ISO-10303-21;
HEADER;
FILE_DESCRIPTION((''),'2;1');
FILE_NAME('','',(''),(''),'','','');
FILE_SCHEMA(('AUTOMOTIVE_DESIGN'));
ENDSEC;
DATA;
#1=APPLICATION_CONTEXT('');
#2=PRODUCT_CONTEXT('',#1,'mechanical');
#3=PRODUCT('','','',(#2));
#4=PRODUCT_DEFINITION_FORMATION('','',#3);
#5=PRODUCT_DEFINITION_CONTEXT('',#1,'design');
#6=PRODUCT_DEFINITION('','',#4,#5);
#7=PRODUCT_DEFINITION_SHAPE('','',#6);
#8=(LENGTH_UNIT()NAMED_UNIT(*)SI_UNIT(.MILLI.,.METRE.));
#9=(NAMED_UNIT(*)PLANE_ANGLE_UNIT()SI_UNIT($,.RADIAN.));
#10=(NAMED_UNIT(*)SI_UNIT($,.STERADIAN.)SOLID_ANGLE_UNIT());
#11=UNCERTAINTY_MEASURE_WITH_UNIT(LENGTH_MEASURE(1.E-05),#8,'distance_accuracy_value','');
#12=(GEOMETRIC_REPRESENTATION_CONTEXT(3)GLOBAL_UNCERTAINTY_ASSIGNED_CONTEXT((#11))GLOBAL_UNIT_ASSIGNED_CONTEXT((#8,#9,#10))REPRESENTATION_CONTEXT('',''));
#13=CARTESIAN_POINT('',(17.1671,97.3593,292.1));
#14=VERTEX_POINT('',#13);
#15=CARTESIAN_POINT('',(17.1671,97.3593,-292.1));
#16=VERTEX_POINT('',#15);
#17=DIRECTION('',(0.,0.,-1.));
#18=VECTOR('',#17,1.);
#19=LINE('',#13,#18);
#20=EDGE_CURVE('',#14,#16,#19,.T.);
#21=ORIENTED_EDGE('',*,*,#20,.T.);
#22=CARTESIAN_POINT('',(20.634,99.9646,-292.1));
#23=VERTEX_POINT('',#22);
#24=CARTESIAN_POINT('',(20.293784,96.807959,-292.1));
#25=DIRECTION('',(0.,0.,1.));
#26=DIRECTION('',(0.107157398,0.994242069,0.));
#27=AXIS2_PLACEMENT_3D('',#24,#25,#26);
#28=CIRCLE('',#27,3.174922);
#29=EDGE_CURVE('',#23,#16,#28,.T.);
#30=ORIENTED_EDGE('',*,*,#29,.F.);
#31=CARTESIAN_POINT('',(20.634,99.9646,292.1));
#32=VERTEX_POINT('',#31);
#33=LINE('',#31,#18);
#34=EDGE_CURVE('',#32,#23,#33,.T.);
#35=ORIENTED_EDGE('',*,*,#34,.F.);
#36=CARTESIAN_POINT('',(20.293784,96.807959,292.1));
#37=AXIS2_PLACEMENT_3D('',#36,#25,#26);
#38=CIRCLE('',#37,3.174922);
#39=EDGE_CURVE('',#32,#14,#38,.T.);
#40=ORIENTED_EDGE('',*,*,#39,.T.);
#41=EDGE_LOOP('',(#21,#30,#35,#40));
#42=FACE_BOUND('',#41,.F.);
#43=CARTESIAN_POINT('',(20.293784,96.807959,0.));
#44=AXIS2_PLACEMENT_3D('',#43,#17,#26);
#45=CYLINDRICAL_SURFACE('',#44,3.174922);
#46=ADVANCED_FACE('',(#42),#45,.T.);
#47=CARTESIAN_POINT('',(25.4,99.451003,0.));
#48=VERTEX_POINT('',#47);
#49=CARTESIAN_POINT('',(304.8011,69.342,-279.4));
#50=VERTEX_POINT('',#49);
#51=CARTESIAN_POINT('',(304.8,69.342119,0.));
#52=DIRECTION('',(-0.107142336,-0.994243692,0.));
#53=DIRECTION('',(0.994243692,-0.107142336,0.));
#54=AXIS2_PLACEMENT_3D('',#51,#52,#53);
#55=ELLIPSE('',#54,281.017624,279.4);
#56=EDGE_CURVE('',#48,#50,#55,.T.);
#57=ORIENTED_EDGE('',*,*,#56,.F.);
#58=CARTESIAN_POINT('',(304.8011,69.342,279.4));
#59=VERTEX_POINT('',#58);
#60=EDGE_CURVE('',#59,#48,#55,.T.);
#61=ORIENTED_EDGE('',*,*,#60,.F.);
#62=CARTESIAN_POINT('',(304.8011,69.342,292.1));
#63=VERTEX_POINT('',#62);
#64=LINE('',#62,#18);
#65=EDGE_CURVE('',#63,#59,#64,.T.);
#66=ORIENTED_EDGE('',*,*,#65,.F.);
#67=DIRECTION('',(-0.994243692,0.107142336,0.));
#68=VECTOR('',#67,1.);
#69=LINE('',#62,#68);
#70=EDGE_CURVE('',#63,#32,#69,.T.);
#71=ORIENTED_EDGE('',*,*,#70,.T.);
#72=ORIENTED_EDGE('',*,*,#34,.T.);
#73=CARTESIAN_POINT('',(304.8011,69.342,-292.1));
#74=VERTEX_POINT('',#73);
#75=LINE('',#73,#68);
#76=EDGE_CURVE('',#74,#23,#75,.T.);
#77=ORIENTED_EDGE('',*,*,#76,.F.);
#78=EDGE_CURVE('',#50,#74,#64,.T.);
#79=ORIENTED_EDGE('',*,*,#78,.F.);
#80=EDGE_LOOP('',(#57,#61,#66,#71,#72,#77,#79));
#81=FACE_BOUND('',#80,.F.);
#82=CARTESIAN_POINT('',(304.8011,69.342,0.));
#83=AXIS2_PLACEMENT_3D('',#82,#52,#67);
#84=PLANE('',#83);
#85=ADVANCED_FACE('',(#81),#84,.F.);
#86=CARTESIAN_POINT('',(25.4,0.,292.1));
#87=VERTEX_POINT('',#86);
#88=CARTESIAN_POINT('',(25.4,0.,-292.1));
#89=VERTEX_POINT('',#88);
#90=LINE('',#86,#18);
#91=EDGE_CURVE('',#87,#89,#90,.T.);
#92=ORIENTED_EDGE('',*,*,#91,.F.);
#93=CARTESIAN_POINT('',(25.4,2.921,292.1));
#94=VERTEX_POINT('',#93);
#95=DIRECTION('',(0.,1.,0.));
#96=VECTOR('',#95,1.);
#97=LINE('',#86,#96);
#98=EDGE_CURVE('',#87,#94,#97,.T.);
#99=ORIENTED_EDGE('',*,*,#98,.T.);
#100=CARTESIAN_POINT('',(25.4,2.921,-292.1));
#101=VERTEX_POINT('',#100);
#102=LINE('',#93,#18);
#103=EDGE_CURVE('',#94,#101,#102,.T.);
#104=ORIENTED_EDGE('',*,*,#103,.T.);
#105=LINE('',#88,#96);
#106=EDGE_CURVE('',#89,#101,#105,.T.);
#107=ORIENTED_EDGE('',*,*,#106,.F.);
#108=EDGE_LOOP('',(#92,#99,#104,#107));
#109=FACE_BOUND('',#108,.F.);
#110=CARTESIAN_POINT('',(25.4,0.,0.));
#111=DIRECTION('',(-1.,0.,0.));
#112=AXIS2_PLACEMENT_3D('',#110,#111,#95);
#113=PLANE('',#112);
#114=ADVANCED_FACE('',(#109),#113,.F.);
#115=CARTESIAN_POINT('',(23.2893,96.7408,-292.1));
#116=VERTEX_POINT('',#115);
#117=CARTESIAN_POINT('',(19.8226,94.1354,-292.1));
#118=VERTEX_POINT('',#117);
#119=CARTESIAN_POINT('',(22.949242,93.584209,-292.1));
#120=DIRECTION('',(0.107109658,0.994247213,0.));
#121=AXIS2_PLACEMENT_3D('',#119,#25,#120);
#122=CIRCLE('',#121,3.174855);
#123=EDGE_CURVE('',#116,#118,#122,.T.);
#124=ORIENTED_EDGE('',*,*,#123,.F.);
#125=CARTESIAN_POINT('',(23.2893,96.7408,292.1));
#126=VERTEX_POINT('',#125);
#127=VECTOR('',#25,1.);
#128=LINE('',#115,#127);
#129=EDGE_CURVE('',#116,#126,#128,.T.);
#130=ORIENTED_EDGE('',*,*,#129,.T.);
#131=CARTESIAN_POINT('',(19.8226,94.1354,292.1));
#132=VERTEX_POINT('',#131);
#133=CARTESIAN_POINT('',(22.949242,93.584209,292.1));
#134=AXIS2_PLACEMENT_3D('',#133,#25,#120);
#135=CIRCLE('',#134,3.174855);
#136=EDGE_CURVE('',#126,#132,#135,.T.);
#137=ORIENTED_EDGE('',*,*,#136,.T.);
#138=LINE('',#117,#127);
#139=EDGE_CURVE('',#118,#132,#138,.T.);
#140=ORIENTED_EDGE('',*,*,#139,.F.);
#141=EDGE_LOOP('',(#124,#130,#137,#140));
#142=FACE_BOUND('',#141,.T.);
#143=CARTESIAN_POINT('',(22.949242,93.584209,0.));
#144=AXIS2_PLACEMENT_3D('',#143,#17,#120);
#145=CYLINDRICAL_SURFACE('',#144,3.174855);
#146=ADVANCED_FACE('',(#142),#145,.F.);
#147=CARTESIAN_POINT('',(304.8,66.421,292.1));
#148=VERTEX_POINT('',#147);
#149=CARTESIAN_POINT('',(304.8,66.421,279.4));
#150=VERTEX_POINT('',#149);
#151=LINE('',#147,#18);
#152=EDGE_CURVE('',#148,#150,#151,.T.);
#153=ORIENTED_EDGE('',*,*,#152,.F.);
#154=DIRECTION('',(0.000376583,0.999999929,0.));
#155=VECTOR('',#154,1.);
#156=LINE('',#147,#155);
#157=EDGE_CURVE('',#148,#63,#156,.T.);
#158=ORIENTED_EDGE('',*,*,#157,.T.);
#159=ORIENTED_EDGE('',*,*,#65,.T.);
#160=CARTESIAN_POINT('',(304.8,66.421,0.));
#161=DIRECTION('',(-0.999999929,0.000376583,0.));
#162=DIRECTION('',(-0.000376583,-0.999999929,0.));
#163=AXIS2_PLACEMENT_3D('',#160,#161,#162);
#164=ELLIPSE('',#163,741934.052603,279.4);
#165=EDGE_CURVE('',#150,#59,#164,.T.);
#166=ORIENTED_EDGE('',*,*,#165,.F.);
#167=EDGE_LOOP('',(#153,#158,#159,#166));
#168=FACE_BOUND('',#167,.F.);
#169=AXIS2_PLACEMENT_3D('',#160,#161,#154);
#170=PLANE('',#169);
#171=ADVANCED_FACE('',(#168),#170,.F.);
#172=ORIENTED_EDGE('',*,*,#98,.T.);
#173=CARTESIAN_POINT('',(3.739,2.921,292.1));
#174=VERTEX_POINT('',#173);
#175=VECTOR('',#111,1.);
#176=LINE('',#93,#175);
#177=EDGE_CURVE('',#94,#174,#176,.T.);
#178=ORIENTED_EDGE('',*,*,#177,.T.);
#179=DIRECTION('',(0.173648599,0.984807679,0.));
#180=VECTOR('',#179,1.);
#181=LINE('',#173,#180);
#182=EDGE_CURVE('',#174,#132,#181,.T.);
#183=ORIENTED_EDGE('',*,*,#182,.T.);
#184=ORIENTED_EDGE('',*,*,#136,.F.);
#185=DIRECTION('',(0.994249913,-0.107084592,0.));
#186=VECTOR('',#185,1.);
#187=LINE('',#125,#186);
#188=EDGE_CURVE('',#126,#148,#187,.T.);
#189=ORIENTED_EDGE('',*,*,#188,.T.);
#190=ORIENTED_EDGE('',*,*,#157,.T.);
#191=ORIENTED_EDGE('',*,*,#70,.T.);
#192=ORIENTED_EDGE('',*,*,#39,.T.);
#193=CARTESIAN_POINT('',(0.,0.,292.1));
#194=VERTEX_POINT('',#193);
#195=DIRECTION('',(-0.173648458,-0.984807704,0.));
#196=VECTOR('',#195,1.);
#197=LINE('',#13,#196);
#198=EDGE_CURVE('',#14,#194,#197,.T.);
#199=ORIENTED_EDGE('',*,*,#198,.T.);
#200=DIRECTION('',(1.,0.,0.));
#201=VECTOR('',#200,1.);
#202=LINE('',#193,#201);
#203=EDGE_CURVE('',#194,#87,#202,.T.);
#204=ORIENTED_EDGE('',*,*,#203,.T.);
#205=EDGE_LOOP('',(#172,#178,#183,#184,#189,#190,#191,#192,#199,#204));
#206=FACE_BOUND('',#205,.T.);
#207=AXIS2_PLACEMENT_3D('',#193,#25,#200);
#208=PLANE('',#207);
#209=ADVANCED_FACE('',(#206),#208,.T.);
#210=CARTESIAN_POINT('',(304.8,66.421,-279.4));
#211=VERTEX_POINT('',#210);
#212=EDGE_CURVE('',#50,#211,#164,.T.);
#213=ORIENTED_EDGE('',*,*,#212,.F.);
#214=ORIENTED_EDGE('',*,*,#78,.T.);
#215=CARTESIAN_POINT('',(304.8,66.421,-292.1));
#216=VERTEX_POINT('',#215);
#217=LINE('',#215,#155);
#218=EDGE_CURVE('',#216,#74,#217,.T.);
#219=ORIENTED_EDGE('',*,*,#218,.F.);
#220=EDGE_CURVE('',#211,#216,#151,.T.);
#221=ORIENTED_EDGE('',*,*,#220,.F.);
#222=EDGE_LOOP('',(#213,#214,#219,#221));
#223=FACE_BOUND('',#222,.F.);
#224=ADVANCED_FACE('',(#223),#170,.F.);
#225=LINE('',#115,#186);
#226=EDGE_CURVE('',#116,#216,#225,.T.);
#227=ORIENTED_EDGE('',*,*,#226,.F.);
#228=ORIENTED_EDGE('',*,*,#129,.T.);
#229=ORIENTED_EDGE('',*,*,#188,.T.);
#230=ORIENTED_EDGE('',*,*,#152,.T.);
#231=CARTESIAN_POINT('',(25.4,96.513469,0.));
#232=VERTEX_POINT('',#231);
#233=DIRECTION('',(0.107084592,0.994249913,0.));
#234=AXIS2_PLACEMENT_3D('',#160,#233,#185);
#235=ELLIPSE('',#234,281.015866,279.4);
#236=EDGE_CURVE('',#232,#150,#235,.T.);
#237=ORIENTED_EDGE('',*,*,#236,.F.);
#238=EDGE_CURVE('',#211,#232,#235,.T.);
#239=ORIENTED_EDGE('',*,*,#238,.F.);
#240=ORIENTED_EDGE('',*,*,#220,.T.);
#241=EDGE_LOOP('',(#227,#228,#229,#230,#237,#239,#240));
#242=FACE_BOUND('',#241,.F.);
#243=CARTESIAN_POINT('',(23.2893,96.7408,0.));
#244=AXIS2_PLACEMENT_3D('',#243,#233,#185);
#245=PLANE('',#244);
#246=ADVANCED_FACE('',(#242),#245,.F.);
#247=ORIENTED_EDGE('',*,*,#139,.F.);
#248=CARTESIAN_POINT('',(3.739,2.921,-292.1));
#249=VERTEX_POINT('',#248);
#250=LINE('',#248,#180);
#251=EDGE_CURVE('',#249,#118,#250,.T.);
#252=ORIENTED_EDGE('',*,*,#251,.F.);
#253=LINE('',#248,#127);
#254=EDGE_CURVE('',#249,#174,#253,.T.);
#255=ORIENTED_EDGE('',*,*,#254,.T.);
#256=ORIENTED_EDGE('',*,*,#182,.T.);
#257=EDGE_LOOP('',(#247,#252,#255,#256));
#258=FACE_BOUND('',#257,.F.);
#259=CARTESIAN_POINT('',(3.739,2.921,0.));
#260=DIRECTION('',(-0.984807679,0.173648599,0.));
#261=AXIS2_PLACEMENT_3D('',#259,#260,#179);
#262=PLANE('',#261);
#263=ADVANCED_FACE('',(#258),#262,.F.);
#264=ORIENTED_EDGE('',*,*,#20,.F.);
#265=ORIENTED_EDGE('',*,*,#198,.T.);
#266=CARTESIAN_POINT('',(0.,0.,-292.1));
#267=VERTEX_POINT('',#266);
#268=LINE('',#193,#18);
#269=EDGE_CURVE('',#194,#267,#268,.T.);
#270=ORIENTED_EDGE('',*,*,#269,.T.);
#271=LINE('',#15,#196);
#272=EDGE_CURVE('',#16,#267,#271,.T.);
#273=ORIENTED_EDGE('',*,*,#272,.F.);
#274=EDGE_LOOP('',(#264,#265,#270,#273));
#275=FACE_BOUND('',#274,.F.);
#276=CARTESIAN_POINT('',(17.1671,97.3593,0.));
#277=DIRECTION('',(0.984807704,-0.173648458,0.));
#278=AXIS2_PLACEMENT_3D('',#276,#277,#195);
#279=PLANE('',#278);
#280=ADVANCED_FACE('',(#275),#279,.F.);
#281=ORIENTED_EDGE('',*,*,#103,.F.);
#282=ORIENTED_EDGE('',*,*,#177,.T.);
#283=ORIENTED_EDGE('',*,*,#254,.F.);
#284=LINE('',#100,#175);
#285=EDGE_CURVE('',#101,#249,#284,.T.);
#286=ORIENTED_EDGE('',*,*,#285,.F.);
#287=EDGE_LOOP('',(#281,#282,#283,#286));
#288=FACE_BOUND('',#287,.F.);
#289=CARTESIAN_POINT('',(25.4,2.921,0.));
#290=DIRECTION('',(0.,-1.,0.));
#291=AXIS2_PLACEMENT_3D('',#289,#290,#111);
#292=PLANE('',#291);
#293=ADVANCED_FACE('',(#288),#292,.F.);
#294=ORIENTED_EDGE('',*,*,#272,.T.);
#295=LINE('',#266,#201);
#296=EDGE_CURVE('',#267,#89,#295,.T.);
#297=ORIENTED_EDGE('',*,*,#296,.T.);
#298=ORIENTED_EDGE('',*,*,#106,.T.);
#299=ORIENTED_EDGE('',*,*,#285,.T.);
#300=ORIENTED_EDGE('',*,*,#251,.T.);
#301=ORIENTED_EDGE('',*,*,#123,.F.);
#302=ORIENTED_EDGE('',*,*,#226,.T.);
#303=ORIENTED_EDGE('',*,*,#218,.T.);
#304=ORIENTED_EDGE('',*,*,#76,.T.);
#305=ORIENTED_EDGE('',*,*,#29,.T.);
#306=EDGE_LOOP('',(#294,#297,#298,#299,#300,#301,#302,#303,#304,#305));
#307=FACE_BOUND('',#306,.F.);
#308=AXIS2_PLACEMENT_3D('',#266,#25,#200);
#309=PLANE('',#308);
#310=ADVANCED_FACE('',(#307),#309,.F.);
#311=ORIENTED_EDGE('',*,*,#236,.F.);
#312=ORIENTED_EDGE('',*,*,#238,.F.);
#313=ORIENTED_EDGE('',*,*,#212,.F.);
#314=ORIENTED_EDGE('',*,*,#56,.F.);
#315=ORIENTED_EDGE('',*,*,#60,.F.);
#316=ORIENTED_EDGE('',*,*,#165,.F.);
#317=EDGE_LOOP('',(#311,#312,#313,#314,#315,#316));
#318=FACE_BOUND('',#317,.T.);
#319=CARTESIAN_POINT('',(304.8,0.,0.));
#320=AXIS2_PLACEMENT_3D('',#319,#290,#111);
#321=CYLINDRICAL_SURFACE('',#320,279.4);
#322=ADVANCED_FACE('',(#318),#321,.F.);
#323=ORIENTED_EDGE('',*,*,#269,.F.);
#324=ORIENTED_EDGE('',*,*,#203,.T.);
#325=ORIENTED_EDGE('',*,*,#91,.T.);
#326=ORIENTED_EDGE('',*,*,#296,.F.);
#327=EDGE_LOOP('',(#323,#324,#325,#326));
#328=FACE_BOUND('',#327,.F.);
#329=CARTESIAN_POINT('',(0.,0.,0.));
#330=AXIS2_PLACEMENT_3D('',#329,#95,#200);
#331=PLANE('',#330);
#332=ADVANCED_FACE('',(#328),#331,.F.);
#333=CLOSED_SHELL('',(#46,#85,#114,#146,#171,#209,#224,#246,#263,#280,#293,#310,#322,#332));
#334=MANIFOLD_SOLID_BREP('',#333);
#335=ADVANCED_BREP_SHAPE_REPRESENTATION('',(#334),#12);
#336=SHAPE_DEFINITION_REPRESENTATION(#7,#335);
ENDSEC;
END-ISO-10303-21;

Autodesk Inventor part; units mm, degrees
ref_plane "YZ Plane" through (0, 0, 0) normal (1, 0, 0) x (0, 1, 0)
ref_plane "XZ Plane" through (0, 0, 0) normal (0, 1, 0) x (-1, 0, 0)
ref_plane "XY Plane" through (0, 0, 0) normal (0, 0, 1) x (1, 0, 0)
sketch "Sketch1" plane through (0, 0, 0) normal (0, 0, 1) x (1, 0, 0)
  line L0 (3.739, 2.921) -> (19.8226, 94.1354)
  line L1 (304.8, 66.421) -> (304.8011, 69.342)
  line L2 (304.8011, 69.342) -> (20.634, 99.9646)
  line L3 (17.1671, 97.3593) -> (0, 0)
  line L4 (0, 0) -> (25.4, 0)
  line L5 (25.4, 0) -> (25.4, 2.921)
  line L6 (25.4, 2.921) -> (3.739, 2.921)
  line L7 (23.2893, 96.7408) -> (304.8, 66.421)
  arc A0 (20.634, 99.9646) -> (17.1671, 97.3593) centre (20.2938, 96.8079) ccw
  arc A1 (23.2893, 96.7408) -> (19.8226, 94.1354) centre (22.9493, 93.584) ccw
  point P0 (20.338, 97.0586)
  point P1 (17.6825, 100.2827)
  dimension "d4" = 101.6
  dimension "d12" = 3.175
  dimension "d13" = 25.4
  dimension "d14" = 2.921
  dimension "d15" = 304.8
  dimension "d17" = 80
  dimension "d19" = 2.921
  dimension "d21" = 63.5
  dimension "d24" = 2.921
  dimension "d25" = 93.849
  dimension "d26" = 3.175
extrude "Extrusion1" add sketch "Sketch1" along normal mid plane 584.2
sketch "Sketch2" plane through (0, 0, 0) normal (0, 1, 0) x (-1, 0, 0)
  circle A0 centre (-304.8, 0) radius 279.4
  line L0 (0, -292.1) -> (0, 292.1) projected
  point P0 (0, 0)
  point P1 (0, 0)
  dimension "d8" = 558.8
  dimension "d9" = 304.8
extrude "Extrusion2" cut sketch "Sketch2" along normal through all
properties part number "CarouselRamp" material "Polycarbonate, Smoke"
